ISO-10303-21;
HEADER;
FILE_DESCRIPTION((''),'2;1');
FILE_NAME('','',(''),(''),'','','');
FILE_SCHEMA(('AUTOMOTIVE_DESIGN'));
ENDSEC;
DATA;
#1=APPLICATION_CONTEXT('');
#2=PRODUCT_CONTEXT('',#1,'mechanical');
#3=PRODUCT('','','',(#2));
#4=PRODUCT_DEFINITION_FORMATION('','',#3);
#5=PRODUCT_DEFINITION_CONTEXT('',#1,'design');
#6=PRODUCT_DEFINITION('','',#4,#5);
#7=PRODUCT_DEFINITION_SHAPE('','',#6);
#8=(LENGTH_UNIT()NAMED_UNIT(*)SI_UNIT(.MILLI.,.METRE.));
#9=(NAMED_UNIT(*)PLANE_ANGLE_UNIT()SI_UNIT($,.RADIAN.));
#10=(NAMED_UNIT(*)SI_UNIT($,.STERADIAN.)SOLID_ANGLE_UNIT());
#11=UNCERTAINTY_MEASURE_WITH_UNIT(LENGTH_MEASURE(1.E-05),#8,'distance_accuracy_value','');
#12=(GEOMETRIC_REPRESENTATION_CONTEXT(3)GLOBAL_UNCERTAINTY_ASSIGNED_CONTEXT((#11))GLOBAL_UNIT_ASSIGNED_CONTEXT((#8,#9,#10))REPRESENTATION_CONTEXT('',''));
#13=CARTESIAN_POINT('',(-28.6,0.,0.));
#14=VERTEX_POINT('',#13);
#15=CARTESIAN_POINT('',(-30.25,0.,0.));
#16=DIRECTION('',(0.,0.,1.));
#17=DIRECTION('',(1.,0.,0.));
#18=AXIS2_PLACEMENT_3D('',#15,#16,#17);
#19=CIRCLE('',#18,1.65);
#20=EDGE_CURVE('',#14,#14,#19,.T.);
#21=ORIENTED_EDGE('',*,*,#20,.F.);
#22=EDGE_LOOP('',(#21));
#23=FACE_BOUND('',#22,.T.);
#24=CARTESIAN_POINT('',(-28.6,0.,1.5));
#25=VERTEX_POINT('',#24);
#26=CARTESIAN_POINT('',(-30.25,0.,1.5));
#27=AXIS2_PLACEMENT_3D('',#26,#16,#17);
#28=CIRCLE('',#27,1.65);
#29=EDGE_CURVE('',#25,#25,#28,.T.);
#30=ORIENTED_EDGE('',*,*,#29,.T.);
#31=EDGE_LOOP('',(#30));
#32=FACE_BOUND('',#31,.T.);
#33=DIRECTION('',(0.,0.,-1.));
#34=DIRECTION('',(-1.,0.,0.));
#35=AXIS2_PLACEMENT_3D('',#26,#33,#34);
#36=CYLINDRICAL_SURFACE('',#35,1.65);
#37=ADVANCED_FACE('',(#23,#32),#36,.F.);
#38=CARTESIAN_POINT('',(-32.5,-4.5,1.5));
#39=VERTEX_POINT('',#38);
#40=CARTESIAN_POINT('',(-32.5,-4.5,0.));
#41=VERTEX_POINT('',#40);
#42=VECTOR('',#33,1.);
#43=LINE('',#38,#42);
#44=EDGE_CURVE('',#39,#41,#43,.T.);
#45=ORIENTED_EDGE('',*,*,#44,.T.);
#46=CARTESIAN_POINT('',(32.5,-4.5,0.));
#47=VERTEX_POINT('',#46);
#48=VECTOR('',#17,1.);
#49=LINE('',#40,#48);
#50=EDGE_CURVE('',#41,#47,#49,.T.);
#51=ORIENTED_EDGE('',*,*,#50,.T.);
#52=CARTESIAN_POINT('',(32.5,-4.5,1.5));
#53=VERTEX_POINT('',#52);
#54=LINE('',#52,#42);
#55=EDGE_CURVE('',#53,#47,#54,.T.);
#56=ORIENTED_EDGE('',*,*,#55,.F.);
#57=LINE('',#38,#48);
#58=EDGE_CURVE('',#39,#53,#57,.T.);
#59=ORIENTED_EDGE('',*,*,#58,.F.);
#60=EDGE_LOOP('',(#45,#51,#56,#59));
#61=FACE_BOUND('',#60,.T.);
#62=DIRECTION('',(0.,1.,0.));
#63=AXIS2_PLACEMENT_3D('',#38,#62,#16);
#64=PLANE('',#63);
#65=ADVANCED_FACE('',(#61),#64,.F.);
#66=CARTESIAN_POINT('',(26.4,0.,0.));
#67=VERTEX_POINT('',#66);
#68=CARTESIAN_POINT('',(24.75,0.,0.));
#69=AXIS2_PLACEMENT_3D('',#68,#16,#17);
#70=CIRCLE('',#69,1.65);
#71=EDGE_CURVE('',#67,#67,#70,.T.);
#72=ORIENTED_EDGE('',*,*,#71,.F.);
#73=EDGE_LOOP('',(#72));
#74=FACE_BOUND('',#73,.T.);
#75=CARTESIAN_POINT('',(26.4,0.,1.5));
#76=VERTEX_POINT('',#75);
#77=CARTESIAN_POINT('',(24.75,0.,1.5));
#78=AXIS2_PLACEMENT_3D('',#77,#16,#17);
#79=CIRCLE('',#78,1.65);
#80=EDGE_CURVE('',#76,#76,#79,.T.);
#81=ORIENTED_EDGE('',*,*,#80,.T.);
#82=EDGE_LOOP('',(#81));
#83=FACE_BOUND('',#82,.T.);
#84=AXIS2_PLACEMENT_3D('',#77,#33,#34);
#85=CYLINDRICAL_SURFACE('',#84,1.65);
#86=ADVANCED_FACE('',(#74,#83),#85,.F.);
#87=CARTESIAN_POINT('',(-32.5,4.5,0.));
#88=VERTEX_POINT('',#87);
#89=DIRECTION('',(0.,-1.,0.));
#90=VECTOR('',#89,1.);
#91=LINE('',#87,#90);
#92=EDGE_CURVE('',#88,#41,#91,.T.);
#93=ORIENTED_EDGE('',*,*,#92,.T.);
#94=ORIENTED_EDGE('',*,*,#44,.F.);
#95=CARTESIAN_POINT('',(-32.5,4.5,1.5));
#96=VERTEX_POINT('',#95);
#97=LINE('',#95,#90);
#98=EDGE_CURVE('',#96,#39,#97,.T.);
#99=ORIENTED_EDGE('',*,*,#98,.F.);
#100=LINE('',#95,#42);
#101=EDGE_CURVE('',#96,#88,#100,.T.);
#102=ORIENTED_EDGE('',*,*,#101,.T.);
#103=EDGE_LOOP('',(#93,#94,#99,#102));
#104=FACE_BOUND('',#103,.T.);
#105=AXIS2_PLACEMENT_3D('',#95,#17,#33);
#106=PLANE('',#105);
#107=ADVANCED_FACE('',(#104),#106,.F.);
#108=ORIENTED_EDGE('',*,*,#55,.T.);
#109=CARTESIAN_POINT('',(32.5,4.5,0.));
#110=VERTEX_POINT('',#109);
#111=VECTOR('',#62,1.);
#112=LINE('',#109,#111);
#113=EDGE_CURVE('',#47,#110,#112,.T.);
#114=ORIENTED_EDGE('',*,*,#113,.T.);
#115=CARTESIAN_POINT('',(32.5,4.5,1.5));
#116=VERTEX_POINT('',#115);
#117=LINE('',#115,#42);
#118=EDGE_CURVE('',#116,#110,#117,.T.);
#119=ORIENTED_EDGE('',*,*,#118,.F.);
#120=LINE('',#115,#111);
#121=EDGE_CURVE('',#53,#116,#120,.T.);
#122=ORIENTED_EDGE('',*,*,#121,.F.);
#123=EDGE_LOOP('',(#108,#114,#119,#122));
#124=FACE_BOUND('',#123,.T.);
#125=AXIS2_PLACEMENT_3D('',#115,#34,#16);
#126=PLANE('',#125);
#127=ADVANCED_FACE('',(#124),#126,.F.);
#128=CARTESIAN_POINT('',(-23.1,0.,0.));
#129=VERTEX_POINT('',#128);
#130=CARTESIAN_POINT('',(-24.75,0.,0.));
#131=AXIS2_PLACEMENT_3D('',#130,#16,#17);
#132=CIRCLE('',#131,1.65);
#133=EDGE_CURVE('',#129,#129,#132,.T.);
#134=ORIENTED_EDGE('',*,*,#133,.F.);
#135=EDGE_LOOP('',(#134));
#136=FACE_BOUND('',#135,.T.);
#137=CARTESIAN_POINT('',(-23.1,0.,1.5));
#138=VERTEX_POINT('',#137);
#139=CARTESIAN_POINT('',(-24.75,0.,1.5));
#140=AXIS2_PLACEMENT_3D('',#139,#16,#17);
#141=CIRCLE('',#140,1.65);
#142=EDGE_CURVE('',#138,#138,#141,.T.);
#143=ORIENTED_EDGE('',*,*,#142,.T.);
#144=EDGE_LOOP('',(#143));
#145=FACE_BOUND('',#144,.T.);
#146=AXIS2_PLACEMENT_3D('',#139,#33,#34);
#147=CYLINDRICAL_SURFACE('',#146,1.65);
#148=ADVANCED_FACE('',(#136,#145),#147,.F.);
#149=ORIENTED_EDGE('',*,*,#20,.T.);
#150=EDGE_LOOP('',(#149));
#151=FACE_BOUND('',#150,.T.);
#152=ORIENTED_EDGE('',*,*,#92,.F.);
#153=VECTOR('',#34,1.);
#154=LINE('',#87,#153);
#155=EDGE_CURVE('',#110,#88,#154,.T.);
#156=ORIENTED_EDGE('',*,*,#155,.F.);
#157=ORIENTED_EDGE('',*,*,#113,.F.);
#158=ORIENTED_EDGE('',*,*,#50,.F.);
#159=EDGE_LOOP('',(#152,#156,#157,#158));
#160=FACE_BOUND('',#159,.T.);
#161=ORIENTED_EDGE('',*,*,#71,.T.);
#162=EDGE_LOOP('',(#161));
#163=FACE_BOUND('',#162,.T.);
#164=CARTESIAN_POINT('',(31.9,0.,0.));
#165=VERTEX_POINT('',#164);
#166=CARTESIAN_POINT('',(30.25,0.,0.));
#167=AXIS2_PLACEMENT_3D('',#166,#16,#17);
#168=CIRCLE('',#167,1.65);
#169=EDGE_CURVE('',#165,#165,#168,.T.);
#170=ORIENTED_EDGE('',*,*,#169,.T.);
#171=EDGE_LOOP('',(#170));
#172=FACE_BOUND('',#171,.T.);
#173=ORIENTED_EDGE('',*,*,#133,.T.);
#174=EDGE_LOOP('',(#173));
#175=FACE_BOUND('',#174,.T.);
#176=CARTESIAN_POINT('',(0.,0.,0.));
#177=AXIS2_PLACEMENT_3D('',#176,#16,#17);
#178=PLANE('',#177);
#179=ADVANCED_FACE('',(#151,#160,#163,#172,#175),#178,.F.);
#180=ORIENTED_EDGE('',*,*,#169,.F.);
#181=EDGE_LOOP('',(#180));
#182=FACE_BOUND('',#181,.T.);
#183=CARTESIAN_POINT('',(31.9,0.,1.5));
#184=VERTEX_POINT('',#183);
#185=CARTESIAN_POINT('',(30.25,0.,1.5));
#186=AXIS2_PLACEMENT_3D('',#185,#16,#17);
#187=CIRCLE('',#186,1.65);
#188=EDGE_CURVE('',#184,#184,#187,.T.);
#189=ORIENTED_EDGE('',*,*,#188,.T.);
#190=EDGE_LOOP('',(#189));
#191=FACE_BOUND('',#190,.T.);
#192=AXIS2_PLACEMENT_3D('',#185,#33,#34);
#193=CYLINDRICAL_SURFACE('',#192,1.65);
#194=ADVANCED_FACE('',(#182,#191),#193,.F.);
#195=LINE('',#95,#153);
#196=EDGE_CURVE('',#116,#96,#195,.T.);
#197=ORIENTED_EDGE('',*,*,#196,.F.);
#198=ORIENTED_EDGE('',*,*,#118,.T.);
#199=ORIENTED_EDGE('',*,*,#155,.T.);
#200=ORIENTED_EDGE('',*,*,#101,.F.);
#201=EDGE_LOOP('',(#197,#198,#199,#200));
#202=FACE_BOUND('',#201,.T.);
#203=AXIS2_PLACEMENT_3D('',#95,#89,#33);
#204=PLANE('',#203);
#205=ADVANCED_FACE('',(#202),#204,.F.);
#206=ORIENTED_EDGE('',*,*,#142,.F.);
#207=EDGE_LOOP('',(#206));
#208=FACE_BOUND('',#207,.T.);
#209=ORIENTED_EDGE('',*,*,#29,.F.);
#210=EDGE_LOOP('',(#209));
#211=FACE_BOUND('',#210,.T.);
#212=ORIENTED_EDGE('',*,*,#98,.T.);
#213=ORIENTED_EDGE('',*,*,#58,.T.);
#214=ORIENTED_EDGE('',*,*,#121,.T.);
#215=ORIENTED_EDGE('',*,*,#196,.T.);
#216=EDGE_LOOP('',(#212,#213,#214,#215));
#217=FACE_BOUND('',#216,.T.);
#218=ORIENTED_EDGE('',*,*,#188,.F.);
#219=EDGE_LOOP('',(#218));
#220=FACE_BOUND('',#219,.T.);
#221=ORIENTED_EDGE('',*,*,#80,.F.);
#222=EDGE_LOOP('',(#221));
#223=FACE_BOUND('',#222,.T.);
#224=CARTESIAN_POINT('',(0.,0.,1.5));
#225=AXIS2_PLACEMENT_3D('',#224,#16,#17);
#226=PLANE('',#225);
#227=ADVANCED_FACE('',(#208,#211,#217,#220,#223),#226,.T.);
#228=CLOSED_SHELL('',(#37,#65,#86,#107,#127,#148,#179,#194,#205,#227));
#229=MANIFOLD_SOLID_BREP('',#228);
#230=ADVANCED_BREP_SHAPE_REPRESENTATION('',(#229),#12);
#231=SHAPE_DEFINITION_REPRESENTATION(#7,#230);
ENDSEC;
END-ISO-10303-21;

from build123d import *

# Parameters (mm, degrees)
SKETCH1_W           = 65
SKETCH1_H           = 9
SKETCH1_R           = 1.65
BOSS_EXTRUDE1_DEPTH = 1.5


with BuildPart() as part:
    # Sketch1 → Boss-Extrude1 (new body)
    with BuildSketch(Plane.XY):
        Rectangle(SKETCH1_W, SKETCH1_H)
        with Locations((-30.25, 0)):
            Circle(SKETCH1_R, mode=Mode.SUBTRACT)
        with Locations((24.75, 0)):
            Circle(SKETCH1_R, mode=Mode.SUBTRACT)
        with Locations((30.25, 0)):
            Circle(SKETCH1_R, mode=Mode.SUBTRACT)
        with Locations((-24.75, 0)):
            Circle(SKETCH1_R, mode=Mode.SUBTRACT)
    extrude(amount=BOSS_EXTRUDE1_DEPTH)


solid = part.part
